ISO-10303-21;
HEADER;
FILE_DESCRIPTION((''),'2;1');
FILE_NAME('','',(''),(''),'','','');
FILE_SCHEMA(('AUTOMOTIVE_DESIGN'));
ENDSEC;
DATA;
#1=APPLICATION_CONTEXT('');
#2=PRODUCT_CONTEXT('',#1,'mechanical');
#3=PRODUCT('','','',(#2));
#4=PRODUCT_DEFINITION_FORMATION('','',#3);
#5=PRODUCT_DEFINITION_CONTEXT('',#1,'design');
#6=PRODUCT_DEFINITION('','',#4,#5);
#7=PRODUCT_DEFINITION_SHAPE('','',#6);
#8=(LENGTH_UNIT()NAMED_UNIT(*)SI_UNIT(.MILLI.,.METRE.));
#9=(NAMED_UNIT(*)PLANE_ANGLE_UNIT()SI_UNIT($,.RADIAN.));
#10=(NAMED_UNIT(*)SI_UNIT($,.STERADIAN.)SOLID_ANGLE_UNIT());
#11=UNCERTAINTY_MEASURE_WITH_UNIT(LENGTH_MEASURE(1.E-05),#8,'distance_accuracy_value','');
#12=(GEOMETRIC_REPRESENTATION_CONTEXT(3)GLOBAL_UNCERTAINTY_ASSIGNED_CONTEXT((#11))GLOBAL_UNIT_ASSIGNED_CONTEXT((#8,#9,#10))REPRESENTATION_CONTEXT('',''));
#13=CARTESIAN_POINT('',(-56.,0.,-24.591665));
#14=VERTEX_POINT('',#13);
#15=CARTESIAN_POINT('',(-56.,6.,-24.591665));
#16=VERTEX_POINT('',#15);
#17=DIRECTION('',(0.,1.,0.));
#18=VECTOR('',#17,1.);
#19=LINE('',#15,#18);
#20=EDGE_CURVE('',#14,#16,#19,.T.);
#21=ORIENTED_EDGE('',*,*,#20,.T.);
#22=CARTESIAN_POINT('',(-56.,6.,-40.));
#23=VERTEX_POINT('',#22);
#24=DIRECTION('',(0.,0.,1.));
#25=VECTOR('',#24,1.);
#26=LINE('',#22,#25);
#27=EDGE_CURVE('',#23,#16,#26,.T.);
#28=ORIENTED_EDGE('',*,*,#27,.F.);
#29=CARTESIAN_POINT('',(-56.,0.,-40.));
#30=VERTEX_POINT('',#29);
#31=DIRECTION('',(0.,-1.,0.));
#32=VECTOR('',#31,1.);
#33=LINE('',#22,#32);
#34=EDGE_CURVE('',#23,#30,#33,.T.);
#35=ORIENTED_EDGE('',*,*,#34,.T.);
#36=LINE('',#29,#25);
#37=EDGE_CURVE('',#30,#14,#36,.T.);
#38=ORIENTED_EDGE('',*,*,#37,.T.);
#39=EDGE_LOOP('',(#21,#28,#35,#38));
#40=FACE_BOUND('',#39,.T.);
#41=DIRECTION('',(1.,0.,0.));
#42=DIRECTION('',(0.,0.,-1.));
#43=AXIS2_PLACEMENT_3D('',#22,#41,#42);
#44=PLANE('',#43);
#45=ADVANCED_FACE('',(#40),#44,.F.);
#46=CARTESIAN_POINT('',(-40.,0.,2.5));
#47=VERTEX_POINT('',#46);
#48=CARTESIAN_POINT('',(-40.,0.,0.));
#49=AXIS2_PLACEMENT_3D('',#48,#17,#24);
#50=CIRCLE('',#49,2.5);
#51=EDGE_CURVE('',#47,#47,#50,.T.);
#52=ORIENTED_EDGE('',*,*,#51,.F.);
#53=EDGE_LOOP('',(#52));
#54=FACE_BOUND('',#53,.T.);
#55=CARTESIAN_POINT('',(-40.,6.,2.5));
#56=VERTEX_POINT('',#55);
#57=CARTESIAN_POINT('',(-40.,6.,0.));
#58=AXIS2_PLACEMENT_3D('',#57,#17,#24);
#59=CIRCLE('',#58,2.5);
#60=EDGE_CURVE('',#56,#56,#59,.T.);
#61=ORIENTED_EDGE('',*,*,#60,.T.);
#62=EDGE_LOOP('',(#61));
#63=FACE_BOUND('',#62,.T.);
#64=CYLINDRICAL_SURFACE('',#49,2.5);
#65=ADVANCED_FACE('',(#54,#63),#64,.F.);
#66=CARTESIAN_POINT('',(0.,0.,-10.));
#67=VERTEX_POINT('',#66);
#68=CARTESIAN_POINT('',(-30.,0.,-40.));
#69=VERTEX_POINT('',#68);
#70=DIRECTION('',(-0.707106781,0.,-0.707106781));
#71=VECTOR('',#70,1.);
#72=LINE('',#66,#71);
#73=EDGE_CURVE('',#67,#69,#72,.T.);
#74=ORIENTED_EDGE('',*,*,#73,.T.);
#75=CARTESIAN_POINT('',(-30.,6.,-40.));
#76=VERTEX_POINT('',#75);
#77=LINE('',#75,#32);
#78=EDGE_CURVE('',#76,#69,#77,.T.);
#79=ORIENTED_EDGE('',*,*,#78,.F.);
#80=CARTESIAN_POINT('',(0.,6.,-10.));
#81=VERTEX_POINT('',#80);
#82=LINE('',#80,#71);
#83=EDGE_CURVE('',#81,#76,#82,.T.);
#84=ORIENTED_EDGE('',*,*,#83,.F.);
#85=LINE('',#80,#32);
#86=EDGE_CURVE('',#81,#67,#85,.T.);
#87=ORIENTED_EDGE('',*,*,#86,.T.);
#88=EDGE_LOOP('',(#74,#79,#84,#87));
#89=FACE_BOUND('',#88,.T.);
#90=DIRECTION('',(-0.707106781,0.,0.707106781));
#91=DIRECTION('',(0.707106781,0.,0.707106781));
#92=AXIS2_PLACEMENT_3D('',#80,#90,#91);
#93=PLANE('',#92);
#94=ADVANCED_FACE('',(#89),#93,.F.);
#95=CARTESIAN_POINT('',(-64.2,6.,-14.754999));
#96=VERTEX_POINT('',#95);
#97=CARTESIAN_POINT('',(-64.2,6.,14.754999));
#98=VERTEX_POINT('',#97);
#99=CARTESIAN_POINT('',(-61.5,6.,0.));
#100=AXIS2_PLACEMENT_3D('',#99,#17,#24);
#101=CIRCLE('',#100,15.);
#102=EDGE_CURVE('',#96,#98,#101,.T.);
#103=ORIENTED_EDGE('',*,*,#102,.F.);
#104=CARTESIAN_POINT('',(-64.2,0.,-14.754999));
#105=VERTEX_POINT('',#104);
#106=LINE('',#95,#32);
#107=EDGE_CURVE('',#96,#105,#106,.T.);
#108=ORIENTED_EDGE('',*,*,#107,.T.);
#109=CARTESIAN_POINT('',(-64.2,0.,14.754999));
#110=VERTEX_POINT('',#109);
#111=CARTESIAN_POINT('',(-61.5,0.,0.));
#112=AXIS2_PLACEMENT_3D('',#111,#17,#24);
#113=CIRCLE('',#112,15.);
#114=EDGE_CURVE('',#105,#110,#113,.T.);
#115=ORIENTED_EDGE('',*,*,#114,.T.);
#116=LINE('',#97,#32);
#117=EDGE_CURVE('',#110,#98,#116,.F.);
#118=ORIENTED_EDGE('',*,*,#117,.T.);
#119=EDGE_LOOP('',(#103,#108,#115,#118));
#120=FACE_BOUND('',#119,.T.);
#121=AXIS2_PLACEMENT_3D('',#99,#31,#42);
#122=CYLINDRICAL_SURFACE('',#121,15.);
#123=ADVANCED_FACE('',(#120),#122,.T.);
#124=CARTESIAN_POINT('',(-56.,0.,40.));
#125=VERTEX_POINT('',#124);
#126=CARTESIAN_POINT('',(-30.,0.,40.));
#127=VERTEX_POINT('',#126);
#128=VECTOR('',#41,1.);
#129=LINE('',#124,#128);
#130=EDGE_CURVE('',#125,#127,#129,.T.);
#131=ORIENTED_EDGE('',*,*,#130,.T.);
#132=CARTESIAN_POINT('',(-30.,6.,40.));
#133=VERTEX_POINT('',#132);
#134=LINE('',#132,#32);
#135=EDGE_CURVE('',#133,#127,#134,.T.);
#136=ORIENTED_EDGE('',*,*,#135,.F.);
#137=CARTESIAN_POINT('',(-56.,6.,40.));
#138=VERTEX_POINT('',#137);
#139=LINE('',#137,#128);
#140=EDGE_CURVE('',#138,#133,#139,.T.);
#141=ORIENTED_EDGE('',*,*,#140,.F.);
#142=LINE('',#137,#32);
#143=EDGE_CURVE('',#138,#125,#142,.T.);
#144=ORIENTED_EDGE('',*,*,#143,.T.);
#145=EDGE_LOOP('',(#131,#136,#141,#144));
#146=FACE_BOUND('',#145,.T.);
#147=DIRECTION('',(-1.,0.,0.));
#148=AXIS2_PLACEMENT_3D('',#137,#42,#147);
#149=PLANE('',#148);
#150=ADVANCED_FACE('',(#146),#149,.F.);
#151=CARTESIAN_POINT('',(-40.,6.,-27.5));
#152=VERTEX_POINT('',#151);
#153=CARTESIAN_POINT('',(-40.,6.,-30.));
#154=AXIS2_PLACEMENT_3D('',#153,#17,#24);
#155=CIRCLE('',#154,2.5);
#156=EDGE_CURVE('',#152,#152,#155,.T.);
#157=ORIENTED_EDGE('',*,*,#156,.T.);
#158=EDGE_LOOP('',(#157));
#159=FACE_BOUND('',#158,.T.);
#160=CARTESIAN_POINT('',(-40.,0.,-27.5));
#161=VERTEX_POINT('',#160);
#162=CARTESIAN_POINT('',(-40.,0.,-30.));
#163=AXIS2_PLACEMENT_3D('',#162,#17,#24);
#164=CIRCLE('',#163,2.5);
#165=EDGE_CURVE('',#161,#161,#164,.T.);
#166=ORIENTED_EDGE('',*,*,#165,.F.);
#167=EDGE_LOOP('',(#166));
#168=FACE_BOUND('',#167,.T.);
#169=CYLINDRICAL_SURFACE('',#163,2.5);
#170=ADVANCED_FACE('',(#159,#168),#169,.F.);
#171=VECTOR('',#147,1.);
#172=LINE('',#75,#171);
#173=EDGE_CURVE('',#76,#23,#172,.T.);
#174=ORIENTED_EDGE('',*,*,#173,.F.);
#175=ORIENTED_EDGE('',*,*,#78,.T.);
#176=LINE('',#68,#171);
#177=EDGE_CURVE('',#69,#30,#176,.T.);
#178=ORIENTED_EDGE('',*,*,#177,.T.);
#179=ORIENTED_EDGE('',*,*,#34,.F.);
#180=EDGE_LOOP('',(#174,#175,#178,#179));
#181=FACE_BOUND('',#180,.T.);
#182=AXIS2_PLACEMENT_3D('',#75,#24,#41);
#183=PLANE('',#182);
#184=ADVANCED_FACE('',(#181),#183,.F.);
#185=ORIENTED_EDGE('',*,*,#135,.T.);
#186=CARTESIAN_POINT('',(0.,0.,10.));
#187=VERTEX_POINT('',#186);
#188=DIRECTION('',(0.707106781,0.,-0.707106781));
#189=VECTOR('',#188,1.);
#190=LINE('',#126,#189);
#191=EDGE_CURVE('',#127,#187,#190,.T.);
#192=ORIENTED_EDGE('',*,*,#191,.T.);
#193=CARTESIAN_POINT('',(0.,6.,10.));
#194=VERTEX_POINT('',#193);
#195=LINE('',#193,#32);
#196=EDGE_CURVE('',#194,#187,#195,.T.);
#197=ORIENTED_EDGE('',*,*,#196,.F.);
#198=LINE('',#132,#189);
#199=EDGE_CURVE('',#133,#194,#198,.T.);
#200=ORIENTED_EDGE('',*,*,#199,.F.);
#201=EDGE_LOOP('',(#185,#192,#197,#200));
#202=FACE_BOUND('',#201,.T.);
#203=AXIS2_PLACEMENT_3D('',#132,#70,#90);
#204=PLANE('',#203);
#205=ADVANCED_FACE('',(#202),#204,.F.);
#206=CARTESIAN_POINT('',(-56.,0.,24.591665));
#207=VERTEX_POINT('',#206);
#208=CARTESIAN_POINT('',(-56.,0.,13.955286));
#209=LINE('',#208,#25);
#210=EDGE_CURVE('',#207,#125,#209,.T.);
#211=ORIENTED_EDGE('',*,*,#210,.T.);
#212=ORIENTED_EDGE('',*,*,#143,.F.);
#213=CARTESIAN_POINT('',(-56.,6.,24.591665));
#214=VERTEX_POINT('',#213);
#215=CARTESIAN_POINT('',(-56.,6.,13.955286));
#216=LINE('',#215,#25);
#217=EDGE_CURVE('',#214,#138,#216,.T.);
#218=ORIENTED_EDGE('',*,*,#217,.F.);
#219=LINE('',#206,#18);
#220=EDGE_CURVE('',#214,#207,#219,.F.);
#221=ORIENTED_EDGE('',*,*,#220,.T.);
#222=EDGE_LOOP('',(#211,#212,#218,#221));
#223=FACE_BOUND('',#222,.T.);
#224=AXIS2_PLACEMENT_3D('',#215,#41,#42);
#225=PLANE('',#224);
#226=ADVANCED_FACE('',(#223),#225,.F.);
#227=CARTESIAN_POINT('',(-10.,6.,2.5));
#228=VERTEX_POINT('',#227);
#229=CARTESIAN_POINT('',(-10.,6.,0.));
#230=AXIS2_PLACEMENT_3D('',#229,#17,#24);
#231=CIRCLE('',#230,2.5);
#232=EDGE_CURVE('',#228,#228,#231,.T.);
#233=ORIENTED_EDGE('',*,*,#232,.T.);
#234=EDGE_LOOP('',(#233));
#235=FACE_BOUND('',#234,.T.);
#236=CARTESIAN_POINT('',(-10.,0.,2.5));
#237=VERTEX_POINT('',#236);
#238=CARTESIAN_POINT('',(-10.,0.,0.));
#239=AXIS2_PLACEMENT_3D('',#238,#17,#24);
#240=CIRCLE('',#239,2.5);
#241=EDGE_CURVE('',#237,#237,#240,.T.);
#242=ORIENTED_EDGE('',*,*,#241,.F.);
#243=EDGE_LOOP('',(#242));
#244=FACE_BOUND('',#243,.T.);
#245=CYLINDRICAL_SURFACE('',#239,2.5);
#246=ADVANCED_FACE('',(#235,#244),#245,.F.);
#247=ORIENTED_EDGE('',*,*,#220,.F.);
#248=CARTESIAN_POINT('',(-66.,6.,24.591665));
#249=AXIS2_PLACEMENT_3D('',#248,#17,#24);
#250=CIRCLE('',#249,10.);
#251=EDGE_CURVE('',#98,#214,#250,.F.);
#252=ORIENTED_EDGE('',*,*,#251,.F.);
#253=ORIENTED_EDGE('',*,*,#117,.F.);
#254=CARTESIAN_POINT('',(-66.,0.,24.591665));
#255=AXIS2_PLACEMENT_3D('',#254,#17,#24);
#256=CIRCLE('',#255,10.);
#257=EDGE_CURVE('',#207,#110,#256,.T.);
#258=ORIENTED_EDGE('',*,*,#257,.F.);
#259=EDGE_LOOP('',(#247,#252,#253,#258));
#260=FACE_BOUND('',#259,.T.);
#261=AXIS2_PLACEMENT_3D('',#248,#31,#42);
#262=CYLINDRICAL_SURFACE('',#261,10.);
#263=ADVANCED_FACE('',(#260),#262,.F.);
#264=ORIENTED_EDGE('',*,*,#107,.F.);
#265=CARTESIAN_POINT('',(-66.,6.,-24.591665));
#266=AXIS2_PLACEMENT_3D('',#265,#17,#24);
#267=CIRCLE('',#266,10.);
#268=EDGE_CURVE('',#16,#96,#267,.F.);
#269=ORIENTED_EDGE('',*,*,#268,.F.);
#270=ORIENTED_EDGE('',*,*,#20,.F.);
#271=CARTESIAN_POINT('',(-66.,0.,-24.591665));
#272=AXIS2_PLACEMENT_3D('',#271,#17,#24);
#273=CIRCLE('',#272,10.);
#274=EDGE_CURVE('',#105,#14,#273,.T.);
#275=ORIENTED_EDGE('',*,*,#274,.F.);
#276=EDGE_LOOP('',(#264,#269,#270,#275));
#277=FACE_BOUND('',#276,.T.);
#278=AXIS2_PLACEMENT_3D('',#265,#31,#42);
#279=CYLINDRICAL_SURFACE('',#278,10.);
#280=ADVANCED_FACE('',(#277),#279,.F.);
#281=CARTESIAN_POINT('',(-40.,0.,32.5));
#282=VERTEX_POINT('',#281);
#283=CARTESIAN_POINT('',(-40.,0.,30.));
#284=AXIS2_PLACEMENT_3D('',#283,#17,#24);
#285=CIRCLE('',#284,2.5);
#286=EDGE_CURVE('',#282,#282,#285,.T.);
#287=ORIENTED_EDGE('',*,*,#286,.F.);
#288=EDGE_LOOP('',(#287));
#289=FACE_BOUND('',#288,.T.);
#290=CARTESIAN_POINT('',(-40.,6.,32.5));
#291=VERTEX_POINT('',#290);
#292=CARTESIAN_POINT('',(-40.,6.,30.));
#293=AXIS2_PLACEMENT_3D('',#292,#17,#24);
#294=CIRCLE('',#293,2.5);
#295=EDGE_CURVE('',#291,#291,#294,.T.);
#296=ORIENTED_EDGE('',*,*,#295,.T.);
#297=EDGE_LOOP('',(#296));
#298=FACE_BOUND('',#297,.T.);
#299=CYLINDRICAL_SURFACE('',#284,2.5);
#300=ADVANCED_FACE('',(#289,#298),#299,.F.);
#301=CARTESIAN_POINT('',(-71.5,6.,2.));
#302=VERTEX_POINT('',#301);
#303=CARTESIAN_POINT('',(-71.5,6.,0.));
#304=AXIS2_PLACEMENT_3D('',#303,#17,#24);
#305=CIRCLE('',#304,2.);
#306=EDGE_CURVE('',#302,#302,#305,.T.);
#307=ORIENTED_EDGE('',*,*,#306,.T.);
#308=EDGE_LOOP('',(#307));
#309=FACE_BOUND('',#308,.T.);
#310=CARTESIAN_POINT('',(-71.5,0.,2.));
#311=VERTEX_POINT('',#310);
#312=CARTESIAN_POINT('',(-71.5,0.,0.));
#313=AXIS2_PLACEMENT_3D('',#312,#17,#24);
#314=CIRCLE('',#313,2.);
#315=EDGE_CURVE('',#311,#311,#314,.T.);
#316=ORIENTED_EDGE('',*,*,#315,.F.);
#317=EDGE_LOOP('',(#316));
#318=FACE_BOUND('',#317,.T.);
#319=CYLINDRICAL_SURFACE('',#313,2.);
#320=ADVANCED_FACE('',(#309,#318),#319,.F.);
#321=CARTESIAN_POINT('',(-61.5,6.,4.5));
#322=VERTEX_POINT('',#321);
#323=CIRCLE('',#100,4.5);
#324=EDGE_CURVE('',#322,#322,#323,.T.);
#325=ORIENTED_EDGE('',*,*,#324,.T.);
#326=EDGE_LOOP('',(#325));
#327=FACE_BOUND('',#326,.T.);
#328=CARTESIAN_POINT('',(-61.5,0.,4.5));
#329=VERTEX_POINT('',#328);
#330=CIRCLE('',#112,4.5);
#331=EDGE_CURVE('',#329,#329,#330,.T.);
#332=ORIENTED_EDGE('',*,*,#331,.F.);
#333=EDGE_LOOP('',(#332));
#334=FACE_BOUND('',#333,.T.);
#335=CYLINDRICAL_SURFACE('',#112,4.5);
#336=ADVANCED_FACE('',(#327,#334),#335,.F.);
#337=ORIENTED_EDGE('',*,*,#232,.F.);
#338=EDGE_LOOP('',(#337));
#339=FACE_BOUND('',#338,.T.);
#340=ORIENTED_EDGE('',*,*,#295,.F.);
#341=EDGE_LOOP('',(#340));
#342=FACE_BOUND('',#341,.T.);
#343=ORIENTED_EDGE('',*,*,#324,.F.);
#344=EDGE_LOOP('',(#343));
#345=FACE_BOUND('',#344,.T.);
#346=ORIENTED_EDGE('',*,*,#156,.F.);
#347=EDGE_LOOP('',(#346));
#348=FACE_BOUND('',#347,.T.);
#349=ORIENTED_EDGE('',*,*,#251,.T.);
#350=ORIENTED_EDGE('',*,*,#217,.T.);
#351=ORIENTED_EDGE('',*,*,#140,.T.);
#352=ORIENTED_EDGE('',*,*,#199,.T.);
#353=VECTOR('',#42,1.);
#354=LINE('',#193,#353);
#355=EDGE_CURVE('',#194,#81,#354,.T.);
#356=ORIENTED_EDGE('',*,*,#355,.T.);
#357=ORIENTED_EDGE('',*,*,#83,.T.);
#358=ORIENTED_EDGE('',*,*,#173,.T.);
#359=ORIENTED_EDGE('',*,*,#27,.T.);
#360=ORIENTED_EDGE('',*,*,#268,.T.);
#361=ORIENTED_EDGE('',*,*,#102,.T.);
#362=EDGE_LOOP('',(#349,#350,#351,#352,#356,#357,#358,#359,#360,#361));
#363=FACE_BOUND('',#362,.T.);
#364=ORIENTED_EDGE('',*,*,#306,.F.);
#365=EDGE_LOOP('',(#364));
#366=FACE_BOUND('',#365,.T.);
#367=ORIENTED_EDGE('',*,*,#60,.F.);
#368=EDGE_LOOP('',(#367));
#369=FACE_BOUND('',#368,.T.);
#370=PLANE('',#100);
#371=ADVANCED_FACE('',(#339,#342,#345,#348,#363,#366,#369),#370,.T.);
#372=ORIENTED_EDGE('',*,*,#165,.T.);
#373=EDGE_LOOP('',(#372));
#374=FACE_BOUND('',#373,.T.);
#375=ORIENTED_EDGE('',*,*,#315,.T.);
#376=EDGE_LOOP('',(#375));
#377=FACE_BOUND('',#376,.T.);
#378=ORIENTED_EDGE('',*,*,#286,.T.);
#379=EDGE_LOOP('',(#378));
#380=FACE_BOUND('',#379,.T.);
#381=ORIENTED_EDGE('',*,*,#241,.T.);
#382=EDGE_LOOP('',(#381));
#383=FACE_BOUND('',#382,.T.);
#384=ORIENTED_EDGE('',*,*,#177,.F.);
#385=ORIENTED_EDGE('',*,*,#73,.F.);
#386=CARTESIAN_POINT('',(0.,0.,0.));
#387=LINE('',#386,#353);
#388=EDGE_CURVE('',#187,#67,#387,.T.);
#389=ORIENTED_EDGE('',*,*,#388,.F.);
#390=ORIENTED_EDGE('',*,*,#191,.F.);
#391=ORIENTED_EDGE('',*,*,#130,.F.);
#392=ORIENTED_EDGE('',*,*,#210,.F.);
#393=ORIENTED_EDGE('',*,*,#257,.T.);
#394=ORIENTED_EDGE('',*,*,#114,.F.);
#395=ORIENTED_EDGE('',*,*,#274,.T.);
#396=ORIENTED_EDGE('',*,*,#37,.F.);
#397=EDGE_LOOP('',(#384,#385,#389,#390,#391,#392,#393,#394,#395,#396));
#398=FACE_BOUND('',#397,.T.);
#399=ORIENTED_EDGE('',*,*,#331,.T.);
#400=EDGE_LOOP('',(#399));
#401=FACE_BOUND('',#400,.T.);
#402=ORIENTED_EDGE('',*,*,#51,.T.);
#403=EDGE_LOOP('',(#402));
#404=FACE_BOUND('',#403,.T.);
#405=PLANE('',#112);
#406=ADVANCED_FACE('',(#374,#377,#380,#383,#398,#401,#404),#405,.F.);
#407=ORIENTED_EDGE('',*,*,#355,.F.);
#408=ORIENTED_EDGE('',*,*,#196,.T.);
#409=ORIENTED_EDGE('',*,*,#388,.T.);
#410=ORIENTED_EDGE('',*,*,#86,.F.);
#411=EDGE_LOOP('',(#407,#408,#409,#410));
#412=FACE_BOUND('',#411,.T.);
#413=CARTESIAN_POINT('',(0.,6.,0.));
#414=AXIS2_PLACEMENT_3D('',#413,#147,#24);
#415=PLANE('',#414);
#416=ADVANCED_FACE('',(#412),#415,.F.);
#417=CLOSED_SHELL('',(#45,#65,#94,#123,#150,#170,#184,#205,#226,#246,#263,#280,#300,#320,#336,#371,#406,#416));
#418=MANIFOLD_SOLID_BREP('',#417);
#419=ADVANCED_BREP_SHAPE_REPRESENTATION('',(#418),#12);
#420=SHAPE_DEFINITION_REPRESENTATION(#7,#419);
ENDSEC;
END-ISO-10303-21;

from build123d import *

# Parameters (mm, degrees)
BOSS_EXTRUDE1_DEPTH = 6
FILLET1_R           = 10
SKETCH3_R           = 2.5
SKETCH3_R_2         = 4.5
SKETCH3_R_3         = 2
CUT_EXTRUDE1_DEPTH  = 87.534675131


with BuildPart() as part:
    # Sketch1 → Boss-Extrude1 (new body)
    with BuildSketch(Plane(origin=(0, 0, 0), x_dir=(1, 0, 0), z_dir=(0, 1, 0))):
        with BuildLine():
            Line((0, 0), (0, 10))
            Line((0, 10), (-30, 40))
            Line((-30, 40), (-56, 40))
            Line((-56, 40), (-56, 13.955285737))
            ThreePointArc((-56, 13.955285737), (-76.5, 0), (-56, -13.955285737))
            Line((-56, -13.955285737), (-56, -40))
            Line((-56, -40), (-30, -40))
            Line((-30, -40), (0, -10))
            Line((0, -10), (0, 0))
        make_face()
    extrude(amount=BOSS_EXTRUDE1_DEPTH)

    # Fillet1
    fillet1_edges = [part.edges().sort_by_distance(p)[0] for p in [
        (-56, 3, 13.955285737),
        (-56, 3, -13.955285737),
    ]]
    fillet(fillet1_edges, radius=FILLET1_R)

    # Sketch3 → Cut-Extrude1 (cut, through all)
    with BuildSketch(Plane(origin=(0, 6, 0), x_dir=(1, 0, 0), z_dir=(0, 1, 0))):
        with Locations(Location((-40, 0, 0), (0, 0, 270))):
            Circle(SKETCH3_R)
        with Locations(Location((-40, -30, 0), (0, 0, 270))):
            Circle(SKETCH3_R)
        with Locations(Location((-10, 0, 0), (0, 0, 270))):
            Circle(SKETCH3_R)
        with Locations(Location((-40, 30, 0), (0, 0, 270))):
            Circle(SKETCH3_R)
        with Locations(Location((-61.5, 0, 0), (0, 0, 270))):
            Circle(SKETCH3_R_2)
        with Locations(Location((-71.5, 0, 0), (0, 0, 270))):
            Circle(SKETCH3_R_3)
    extrude(amount=-CUT_EXTRUDE1_DEPTH, mode=Mode.SUBTRACT)


solid = part.part
